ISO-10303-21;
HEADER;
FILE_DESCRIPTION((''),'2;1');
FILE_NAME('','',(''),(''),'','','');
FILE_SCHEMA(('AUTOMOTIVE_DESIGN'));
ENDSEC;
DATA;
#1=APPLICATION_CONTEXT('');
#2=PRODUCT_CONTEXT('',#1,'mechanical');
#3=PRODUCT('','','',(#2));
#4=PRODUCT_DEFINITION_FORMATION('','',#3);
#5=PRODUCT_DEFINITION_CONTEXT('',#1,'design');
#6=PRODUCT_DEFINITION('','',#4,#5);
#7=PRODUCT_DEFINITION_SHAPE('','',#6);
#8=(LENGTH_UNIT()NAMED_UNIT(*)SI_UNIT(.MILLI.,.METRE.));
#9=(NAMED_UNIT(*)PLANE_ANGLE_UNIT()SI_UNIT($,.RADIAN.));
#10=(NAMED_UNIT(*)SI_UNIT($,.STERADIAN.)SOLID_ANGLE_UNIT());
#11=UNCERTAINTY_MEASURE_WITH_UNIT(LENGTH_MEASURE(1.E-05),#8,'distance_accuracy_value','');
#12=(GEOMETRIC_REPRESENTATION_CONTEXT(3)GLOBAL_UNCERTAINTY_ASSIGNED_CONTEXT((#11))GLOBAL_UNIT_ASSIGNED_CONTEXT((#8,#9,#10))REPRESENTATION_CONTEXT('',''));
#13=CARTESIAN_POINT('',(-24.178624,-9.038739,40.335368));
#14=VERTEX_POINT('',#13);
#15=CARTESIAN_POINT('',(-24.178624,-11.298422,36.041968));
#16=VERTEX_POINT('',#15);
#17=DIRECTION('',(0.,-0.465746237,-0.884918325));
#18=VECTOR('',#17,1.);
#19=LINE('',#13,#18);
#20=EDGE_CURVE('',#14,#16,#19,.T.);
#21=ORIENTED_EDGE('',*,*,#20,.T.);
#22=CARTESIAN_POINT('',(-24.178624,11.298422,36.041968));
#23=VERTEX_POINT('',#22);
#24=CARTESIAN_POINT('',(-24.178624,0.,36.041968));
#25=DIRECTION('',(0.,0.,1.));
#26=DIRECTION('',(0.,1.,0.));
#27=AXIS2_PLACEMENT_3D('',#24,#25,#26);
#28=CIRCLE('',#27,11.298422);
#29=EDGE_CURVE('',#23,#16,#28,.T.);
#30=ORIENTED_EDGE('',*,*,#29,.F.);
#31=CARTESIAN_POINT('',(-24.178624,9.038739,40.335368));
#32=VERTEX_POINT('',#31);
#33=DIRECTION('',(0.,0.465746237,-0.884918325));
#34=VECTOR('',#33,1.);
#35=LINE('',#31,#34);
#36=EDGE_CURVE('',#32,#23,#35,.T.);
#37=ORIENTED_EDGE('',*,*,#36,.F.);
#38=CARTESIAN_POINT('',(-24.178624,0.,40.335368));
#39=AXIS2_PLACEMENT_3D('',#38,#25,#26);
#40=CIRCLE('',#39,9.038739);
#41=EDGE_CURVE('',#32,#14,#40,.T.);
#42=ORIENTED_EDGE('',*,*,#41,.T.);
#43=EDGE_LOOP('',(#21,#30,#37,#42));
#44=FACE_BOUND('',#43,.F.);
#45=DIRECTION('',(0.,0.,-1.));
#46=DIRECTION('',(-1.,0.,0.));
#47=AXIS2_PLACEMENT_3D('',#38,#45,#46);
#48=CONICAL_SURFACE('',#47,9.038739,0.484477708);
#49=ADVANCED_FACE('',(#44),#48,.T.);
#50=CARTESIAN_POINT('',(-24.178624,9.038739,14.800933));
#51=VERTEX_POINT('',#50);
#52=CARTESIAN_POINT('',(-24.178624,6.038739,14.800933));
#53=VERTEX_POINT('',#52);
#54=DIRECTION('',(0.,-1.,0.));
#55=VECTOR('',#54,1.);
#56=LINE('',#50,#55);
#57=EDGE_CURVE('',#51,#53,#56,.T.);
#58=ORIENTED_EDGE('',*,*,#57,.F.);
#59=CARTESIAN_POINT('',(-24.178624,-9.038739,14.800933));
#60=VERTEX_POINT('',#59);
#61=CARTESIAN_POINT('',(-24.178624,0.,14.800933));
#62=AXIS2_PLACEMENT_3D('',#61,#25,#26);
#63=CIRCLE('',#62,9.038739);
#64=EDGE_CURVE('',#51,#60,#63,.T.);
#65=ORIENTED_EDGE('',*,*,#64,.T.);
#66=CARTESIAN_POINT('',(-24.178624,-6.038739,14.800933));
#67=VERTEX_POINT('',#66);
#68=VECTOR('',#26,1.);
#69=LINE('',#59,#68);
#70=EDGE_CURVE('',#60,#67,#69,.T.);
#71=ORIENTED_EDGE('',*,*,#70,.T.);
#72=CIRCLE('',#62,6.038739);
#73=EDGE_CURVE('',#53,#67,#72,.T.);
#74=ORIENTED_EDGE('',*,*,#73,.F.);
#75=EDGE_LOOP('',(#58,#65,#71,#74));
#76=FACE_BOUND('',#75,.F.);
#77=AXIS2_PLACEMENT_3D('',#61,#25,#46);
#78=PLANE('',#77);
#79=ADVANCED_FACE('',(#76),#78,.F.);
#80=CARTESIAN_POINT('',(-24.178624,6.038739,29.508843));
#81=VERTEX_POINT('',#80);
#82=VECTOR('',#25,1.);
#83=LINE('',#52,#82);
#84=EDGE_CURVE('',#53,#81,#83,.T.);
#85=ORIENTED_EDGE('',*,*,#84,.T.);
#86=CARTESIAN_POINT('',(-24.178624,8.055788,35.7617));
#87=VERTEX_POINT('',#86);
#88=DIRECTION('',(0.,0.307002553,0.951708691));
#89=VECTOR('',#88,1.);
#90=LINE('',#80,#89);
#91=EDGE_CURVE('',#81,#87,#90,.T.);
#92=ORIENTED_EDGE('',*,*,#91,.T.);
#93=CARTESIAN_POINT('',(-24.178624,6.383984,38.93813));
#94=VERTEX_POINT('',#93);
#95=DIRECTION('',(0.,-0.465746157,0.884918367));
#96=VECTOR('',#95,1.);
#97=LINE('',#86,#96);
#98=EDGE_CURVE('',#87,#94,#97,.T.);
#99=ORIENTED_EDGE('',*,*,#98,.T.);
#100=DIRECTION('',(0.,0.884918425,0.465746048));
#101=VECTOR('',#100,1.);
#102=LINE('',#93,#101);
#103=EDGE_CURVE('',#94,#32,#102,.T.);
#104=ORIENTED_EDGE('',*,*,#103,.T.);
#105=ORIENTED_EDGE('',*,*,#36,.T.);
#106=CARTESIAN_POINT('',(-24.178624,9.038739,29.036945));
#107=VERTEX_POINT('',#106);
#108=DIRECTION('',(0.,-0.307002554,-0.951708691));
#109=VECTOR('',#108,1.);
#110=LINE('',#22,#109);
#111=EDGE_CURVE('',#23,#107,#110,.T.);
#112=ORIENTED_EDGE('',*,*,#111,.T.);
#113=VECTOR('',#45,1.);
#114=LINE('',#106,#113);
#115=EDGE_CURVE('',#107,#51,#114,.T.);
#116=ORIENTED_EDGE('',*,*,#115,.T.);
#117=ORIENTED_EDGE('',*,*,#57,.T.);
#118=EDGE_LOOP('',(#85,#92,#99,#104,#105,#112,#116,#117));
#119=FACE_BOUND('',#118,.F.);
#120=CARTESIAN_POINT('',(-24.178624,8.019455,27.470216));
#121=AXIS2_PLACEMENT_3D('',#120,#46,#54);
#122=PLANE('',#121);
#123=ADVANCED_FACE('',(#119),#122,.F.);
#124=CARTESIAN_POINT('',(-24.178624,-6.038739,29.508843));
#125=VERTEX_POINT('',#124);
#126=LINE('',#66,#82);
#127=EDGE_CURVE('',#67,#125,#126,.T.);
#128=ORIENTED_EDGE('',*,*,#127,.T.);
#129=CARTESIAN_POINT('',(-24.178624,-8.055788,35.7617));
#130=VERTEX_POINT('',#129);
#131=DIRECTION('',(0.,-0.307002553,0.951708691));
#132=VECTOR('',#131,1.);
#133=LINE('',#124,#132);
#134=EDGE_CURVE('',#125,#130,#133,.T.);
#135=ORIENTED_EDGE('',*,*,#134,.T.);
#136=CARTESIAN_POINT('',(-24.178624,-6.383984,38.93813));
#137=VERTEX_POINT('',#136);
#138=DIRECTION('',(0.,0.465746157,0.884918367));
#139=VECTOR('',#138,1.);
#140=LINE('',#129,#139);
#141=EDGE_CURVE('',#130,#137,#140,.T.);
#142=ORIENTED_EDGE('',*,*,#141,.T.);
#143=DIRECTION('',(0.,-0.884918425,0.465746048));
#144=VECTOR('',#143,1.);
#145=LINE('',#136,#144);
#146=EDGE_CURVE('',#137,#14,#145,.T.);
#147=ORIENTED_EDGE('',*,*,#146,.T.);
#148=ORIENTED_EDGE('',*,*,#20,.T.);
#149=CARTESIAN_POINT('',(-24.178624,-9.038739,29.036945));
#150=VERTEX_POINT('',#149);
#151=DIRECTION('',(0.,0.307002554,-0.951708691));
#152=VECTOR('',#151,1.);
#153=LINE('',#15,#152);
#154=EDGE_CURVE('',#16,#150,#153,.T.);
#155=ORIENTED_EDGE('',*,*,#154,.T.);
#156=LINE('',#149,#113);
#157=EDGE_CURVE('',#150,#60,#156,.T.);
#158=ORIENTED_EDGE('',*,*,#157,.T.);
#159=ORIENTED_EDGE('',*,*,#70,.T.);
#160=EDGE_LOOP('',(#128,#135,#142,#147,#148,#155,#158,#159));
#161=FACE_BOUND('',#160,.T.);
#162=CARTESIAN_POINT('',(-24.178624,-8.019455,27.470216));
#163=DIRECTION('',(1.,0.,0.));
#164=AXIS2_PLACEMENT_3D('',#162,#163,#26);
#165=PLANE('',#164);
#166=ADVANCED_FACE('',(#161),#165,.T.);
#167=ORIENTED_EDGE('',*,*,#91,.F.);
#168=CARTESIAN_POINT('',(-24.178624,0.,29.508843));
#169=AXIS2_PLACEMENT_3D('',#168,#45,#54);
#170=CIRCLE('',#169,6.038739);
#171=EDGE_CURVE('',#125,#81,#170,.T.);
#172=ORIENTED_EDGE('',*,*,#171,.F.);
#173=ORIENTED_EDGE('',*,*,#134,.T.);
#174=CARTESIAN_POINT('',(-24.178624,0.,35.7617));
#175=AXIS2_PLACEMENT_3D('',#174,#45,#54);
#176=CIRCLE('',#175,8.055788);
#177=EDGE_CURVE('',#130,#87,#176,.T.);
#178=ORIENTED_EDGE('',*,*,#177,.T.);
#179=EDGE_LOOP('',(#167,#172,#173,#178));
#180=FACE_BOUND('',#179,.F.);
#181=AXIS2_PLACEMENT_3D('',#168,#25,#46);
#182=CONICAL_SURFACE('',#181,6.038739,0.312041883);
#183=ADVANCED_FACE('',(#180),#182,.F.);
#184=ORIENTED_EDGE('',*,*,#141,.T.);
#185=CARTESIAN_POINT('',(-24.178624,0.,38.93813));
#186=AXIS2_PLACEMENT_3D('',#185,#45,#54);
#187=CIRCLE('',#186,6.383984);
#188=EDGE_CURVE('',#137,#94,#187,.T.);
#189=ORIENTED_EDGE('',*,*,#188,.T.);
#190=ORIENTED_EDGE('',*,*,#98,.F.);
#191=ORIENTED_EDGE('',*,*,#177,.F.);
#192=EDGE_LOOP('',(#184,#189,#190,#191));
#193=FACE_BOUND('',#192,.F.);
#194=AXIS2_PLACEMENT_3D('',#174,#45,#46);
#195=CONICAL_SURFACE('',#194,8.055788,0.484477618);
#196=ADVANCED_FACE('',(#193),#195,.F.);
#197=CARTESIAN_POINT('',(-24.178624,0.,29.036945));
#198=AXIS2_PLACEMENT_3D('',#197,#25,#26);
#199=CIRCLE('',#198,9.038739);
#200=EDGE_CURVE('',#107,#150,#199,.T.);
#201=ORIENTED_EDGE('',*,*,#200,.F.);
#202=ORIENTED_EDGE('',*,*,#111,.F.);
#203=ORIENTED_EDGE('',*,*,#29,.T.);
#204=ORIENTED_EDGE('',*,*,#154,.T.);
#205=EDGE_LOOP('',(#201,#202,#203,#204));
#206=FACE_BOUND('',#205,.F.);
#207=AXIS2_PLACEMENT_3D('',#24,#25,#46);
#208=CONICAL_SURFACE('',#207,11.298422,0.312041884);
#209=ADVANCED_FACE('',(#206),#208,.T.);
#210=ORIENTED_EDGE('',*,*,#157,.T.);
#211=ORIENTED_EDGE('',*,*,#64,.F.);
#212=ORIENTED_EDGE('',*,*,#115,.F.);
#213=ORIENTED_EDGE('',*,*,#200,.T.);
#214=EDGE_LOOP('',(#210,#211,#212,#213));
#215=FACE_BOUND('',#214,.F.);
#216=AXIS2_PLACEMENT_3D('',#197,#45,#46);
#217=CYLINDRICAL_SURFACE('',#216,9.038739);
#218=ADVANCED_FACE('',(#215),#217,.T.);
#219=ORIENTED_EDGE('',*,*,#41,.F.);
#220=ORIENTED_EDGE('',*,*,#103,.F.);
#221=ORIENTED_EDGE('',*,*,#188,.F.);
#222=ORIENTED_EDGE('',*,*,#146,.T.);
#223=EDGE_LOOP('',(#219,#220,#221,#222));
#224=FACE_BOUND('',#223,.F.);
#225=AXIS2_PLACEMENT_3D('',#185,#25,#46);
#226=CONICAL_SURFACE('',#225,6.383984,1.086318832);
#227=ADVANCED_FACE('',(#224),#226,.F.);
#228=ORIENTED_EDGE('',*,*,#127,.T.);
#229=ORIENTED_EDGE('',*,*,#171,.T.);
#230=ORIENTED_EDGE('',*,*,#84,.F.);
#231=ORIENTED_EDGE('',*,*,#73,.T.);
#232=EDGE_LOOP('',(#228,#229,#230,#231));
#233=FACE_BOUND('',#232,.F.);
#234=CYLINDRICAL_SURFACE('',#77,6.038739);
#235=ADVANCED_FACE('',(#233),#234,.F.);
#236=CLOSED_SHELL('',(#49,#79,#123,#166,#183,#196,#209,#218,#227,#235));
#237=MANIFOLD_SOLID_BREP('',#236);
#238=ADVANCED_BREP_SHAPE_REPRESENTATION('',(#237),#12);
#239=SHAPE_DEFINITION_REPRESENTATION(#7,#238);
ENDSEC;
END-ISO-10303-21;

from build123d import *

# Parameters (mm, degrees)
F1_ANGLE = 180


with BuildPart() as f1:
    # F0 (on Front) → F1 (revolve, symmetric)
    with BuildSketch(Plane.XZ) as f1_sk:
        Polygon((-30.562608, 38.93813), (-33.217363, 40.335368), (-35.477046, 36.041968), (-33.217363, 29.036945), (-33.217363, 14.800933), (-30.217363, 14.800933), (-30.217363, 29.508843), (-32.234412, 35.7617), align=None)
    revolve(axis=Axis((-24.178624, 0, 27.116214), (0, 0, -1)), revolution_arc=F1_ANGLE / 2)
    revolve(f1_sk.sketch, axis=Axis((-24.178624, 0, 27.116214), (0, 0, 1)), revolution_arc=F1_ANGLE / 2)


solid = f1.part
